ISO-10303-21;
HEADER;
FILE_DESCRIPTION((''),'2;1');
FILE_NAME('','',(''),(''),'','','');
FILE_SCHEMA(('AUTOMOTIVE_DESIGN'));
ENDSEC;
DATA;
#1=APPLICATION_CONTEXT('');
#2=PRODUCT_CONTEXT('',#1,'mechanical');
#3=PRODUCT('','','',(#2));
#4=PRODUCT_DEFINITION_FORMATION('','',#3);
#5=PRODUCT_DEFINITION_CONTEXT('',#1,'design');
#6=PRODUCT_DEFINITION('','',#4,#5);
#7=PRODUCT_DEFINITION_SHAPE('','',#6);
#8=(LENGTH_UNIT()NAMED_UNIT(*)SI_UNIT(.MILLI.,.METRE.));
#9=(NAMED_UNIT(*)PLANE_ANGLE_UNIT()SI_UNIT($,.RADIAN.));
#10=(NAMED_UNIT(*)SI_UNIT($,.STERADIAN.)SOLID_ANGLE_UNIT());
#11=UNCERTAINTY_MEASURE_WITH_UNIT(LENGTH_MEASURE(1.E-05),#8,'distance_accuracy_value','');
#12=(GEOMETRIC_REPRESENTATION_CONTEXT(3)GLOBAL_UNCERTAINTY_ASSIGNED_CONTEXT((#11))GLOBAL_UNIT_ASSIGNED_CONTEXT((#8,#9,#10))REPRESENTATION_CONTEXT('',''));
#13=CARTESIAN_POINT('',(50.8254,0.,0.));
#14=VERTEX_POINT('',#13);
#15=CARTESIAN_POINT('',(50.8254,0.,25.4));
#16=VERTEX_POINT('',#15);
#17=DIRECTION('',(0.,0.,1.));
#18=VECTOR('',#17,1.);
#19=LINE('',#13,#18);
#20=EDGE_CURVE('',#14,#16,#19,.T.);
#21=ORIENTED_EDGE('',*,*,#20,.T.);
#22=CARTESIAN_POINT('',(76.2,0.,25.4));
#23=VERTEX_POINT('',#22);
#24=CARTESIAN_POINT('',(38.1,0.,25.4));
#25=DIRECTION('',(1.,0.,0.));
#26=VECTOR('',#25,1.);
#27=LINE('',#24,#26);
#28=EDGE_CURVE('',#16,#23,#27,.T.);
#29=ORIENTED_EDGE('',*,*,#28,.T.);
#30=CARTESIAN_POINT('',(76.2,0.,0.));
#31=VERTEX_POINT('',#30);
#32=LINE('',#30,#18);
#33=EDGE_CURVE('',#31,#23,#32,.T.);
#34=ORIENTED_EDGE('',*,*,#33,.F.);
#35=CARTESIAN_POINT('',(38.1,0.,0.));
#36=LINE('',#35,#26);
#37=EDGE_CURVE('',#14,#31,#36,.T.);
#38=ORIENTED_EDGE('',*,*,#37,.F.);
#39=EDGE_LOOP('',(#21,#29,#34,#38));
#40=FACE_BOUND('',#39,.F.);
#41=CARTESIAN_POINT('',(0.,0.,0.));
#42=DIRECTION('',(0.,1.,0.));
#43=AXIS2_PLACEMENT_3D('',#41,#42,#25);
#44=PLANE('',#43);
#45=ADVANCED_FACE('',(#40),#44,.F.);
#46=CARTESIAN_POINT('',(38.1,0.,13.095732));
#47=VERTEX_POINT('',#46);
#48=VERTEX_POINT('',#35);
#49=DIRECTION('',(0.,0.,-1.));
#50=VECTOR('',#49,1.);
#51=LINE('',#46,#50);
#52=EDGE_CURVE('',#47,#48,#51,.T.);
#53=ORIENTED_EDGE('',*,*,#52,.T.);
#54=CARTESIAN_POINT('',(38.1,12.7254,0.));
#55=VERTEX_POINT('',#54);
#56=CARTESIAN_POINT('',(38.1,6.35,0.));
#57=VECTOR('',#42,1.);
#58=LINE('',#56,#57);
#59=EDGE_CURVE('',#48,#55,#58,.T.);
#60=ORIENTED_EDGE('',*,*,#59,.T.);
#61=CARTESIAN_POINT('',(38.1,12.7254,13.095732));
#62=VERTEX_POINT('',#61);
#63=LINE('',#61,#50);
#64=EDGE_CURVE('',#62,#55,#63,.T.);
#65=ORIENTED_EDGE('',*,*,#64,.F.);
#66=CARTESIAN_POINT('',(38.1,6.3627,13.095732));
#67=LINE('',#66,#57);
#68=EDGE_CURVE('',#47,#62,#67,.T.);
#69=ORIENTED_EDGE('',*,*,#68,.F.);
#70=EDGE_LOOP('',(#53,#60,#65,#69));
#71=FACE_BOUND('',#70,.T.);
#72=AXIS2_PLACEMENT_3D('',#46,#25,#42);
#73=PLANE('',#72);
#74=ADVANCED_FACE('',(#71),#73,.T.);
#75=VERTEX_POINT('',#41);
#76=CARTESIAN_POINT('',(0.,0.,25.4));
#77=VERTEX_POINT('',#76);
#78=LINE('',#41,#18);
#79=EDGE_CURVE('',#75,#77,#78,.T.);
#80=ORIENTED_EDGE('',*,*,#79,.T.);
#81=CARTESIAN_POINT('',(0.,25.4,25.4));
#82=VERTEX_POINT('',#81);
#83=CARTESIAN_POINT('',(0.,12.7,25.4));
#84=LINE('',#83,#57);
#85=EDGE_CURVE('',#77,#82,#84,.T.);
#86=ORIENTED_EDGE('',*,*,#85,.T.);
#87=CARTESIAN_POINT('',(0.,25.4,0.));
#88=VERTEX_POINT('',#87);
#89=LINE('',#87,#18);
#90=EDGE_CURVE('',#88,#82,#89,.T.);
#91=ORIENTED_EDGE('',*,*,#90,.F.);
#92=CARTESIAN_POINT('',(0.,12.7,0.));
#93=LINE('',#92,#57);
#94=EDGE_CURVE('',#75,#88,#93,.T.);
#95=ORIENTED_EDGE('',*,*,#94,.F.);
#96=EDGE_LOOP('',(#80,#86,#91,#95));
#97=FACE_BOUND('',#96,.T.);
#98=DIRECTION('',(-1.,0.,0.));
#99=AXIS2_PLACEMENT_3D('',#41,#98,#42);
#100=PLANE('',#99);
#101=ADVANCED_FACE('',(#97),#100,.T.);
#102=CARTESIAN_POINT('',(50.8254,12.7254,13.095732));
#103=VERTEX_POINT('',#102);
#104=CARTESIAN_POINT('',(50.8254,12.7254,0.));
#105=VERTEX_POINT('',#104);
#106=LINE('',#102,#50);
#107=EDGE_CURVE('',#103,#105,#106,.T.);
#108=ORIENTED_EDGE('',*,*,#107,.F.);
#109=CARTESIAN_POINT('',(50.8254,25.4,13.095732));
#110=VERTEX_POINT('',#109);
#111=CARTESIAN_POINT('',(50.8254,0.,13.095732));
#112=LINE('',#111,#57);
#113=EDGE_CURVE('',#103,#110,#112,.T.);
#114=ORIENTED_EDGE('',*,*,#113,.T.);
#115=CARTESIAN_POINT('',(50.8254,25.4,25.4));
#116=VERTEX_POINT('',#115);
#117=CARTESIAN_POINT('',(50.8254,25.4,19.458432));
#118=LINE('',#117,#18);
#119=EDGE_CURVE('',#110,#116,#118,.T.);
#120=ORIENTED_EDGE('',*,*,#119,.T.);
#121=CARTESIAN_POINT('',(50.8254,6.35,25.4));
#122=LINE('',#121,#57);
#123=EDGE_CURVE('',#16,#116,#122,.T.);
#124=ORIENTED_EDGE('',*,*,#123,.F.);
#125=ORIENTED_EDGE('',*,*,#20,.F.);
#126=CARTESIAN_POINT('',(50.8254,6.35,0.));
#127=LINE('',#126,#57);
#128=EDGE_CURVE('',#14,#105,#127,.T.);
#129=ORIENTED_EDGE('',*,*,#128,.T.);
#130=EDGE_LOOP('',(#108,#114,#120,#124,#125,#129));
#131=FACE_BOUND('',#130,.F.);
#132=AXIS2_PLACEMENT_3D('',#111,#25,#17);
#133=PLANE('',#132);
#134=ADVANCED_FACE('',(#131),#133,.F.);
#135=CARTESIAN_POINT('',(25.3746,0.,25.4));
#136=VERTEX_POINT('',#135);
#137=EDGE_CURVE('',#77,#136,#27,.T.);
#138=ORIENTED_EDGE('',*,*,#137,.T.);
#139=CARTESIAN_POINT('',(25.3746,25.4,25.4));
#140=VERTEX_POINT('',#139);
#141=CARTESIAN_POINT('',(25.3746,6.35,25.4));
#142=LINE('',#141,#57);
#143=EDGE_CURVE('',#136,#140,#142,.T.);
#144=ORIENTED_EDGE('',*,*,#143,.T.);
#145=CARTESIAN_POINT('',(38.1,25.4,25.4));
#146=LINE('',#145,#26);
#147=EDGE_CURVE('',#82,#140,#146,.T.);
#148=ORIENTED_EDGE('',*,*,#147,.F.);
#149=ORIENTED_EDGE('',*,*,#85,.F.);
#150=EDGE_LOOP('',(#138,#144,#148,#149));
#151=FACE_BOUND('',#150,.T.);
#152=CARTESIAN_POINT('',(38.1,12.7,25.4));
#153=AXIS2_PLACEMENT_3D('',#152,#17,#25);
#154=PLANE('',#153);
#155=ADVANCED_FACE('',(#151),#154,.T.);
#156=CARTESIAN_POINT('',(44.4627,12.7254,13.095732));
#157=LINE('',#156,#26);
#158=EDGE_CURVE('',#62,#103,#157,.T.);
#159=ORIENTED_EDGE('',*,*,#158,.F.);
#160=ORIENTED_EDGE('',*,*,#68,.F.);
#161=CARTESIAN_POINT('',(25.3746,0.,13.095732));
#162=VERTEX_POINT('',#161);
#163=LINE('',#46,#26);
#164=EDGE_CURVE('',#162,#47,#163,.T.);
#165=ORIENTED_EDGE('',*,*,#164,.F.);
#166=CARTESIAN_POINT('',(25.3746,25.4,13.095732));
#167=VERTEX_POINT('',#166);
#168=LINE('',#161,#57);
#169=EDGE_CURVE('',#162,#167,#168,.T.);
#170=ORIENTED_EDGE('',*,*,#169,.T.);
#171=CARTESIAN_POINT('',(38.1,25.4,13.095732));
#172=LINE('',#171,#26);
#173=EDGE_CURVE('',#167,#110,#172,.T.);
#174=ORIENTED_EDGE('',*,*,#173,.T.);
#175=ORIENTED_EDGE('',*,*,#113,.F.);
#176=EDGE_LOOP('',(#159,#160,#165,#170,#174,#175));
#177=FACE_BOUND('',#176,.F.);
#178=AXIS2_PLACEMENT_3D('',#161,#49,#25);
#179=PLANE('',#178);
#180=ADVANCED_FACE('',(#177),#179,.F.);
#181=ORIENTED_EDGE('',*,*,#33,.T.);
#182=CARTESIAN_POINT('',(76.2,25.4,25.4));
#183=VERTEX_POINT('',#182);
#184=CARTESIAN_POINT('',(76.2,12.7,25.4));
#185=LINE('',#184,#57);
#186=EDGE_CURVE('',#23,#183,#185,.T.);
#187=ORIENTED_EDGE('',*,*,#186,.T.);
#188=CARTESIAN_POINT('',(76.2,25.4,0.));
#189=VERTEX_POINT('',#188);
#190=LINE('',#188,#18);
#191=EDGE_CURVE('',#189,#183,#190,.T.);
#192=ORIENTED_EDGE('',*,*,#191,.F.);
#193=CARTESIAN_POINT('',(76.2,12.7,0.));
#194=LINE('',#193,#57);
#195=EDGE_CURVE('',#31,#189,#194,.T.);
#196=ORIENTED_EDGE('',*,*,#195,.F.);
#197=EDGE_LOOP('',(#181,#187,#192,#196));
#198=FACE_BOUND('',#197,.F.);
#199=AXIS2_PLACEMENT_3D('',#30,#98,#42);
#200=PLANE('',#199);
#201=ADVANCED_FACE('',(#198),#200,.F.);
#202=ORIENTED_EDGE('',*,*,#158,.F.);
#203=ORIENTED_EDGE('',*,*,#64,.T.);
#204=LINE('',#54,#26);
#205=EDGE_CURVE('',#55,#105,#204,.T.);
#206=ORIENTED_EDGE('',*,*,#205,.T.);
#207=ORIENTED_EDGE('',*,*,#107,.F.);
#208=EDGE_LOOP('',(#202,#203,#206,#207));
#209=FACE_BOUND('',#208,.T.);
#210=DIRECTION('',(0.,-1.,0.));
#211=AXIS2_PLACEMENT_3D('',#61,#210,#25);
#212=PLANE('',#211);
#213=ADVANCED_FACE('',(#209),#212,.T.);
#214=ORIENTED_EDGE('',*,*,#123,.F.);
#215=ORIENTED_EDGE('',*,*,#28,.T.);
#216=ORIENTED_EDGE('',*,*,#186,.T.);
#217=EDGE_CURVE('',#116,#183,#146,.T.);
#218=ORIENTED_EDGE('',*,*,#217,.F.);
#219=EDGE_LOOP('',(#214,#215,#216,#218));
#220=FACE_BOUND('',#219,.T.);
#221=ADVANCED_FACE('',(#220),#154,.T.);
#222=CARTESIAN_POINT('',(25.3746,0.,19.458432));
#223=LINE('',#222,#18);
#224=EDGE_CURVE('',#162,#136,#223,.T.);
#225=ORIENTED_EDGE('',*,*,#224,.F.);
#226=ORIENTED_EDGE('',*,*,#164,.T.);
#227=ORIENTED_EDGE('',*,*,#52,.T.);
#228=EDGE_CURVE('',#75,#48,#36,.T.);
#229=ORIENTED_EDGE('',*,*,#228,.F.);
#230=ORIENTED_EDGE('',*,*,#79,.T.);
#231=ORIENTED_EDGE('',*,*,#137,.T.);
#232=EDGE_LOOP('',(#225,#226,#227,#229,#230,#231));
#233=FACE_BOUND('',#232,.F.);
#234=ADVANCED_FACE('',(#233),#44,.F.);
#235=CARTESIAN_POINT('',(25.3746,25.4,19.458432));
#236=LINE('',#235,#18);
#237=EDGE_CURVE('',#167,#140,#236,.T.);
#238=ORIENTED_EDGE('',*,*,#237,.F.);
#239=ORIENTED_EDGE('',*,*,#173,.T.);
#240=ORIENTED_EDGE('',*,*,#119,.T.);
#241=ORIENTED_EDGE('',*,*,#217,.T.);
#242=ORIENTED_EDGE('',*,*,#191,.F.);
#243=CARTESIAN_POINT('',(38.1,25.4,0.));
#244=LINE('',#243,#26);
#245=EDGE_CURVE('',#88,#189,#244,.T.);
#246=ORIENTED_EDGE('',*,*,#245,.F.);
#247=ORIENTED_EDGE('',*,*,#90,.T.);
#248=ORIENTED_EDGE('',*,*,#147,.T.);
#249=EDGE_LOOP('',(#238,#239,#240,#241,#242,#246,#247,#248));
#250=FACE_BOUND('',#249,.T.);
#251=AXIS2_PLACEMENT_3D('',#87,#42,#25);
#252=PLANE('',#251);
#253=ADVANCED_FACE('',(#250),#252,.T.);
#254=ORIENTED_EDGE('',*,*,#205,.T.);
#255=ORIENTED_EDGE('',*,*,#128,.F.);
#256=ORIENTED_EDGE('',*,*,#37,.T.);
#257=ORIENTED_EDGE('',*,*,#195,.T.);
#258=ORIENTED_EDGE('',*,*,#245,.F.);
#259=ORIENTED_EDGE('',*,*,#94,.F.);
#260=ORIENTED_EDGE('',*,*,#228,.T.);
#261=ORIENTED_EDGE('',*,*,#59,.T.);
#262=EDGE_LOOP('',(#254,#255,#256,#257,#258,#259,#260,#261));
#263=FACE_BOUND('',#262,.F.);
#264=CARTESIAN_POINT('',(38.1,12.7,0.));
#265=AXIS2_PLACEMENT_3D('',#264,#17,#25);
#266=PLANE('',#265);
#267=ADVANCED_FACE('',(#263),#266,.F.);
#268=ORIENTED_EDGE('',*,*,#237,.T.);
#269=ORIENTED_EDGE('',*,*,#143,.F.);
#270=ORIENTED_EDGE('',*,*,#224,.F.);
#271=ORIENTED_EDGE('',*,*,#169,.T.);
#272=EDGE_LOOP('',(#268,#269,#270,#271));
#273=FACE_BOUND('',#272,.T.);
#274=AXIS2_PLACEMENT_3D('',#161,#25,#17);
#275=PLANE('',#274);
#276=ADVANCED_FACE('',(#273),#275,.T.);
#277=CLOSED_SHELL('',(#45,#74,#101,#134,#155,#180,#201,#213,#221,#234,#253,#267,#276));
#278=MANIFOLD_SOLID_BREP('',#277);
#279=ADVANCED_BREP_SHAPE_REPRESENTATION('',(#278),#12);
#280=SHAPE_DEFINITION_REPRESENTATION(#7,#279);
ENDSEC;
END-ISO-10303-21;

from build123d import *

# Parameters (mm, degrees)
F0_W     = 76.2
F0_H     = 25.4
F1_DEPTH = 25.4
F2_W     = 25.4508
F2_H     = 12.7254
F3_DEPTH = 25.4
F4_W     = 12.7254
F4_H     = 12.7254
F5_DEPTH = 25.4


with BuildPart() as f1:
    # F0 (on Top) → F1 (new body)
    with BuildSketch(Plane.XY):
        with Locations((38.1, 12.7)):
            Rectangle(F0_W, F0_H)
    extrude(amount=F1_DEPTH)

    # F2 (on Front) → F3 (cut)
    with BuildSketch(Plane.XZ):
        with Locations((38.1, 19.458432)):
            Rectangle(F2_W, F2_H)
    extrude(amount=-F3_DEPTH, mode=Mode.SUBTRACT)

    # F4 (on face) → F5 (cut)
    with BuildSketch(Plane.XY.offset(13.095732)):
        with Locations((44.4627, 6.3627)):
            Rectangle(F4_W, F4_H)
    extrude(amount=-F5_DEPTH, mode=Mode.SUBTRACT)


solid = f1.part
